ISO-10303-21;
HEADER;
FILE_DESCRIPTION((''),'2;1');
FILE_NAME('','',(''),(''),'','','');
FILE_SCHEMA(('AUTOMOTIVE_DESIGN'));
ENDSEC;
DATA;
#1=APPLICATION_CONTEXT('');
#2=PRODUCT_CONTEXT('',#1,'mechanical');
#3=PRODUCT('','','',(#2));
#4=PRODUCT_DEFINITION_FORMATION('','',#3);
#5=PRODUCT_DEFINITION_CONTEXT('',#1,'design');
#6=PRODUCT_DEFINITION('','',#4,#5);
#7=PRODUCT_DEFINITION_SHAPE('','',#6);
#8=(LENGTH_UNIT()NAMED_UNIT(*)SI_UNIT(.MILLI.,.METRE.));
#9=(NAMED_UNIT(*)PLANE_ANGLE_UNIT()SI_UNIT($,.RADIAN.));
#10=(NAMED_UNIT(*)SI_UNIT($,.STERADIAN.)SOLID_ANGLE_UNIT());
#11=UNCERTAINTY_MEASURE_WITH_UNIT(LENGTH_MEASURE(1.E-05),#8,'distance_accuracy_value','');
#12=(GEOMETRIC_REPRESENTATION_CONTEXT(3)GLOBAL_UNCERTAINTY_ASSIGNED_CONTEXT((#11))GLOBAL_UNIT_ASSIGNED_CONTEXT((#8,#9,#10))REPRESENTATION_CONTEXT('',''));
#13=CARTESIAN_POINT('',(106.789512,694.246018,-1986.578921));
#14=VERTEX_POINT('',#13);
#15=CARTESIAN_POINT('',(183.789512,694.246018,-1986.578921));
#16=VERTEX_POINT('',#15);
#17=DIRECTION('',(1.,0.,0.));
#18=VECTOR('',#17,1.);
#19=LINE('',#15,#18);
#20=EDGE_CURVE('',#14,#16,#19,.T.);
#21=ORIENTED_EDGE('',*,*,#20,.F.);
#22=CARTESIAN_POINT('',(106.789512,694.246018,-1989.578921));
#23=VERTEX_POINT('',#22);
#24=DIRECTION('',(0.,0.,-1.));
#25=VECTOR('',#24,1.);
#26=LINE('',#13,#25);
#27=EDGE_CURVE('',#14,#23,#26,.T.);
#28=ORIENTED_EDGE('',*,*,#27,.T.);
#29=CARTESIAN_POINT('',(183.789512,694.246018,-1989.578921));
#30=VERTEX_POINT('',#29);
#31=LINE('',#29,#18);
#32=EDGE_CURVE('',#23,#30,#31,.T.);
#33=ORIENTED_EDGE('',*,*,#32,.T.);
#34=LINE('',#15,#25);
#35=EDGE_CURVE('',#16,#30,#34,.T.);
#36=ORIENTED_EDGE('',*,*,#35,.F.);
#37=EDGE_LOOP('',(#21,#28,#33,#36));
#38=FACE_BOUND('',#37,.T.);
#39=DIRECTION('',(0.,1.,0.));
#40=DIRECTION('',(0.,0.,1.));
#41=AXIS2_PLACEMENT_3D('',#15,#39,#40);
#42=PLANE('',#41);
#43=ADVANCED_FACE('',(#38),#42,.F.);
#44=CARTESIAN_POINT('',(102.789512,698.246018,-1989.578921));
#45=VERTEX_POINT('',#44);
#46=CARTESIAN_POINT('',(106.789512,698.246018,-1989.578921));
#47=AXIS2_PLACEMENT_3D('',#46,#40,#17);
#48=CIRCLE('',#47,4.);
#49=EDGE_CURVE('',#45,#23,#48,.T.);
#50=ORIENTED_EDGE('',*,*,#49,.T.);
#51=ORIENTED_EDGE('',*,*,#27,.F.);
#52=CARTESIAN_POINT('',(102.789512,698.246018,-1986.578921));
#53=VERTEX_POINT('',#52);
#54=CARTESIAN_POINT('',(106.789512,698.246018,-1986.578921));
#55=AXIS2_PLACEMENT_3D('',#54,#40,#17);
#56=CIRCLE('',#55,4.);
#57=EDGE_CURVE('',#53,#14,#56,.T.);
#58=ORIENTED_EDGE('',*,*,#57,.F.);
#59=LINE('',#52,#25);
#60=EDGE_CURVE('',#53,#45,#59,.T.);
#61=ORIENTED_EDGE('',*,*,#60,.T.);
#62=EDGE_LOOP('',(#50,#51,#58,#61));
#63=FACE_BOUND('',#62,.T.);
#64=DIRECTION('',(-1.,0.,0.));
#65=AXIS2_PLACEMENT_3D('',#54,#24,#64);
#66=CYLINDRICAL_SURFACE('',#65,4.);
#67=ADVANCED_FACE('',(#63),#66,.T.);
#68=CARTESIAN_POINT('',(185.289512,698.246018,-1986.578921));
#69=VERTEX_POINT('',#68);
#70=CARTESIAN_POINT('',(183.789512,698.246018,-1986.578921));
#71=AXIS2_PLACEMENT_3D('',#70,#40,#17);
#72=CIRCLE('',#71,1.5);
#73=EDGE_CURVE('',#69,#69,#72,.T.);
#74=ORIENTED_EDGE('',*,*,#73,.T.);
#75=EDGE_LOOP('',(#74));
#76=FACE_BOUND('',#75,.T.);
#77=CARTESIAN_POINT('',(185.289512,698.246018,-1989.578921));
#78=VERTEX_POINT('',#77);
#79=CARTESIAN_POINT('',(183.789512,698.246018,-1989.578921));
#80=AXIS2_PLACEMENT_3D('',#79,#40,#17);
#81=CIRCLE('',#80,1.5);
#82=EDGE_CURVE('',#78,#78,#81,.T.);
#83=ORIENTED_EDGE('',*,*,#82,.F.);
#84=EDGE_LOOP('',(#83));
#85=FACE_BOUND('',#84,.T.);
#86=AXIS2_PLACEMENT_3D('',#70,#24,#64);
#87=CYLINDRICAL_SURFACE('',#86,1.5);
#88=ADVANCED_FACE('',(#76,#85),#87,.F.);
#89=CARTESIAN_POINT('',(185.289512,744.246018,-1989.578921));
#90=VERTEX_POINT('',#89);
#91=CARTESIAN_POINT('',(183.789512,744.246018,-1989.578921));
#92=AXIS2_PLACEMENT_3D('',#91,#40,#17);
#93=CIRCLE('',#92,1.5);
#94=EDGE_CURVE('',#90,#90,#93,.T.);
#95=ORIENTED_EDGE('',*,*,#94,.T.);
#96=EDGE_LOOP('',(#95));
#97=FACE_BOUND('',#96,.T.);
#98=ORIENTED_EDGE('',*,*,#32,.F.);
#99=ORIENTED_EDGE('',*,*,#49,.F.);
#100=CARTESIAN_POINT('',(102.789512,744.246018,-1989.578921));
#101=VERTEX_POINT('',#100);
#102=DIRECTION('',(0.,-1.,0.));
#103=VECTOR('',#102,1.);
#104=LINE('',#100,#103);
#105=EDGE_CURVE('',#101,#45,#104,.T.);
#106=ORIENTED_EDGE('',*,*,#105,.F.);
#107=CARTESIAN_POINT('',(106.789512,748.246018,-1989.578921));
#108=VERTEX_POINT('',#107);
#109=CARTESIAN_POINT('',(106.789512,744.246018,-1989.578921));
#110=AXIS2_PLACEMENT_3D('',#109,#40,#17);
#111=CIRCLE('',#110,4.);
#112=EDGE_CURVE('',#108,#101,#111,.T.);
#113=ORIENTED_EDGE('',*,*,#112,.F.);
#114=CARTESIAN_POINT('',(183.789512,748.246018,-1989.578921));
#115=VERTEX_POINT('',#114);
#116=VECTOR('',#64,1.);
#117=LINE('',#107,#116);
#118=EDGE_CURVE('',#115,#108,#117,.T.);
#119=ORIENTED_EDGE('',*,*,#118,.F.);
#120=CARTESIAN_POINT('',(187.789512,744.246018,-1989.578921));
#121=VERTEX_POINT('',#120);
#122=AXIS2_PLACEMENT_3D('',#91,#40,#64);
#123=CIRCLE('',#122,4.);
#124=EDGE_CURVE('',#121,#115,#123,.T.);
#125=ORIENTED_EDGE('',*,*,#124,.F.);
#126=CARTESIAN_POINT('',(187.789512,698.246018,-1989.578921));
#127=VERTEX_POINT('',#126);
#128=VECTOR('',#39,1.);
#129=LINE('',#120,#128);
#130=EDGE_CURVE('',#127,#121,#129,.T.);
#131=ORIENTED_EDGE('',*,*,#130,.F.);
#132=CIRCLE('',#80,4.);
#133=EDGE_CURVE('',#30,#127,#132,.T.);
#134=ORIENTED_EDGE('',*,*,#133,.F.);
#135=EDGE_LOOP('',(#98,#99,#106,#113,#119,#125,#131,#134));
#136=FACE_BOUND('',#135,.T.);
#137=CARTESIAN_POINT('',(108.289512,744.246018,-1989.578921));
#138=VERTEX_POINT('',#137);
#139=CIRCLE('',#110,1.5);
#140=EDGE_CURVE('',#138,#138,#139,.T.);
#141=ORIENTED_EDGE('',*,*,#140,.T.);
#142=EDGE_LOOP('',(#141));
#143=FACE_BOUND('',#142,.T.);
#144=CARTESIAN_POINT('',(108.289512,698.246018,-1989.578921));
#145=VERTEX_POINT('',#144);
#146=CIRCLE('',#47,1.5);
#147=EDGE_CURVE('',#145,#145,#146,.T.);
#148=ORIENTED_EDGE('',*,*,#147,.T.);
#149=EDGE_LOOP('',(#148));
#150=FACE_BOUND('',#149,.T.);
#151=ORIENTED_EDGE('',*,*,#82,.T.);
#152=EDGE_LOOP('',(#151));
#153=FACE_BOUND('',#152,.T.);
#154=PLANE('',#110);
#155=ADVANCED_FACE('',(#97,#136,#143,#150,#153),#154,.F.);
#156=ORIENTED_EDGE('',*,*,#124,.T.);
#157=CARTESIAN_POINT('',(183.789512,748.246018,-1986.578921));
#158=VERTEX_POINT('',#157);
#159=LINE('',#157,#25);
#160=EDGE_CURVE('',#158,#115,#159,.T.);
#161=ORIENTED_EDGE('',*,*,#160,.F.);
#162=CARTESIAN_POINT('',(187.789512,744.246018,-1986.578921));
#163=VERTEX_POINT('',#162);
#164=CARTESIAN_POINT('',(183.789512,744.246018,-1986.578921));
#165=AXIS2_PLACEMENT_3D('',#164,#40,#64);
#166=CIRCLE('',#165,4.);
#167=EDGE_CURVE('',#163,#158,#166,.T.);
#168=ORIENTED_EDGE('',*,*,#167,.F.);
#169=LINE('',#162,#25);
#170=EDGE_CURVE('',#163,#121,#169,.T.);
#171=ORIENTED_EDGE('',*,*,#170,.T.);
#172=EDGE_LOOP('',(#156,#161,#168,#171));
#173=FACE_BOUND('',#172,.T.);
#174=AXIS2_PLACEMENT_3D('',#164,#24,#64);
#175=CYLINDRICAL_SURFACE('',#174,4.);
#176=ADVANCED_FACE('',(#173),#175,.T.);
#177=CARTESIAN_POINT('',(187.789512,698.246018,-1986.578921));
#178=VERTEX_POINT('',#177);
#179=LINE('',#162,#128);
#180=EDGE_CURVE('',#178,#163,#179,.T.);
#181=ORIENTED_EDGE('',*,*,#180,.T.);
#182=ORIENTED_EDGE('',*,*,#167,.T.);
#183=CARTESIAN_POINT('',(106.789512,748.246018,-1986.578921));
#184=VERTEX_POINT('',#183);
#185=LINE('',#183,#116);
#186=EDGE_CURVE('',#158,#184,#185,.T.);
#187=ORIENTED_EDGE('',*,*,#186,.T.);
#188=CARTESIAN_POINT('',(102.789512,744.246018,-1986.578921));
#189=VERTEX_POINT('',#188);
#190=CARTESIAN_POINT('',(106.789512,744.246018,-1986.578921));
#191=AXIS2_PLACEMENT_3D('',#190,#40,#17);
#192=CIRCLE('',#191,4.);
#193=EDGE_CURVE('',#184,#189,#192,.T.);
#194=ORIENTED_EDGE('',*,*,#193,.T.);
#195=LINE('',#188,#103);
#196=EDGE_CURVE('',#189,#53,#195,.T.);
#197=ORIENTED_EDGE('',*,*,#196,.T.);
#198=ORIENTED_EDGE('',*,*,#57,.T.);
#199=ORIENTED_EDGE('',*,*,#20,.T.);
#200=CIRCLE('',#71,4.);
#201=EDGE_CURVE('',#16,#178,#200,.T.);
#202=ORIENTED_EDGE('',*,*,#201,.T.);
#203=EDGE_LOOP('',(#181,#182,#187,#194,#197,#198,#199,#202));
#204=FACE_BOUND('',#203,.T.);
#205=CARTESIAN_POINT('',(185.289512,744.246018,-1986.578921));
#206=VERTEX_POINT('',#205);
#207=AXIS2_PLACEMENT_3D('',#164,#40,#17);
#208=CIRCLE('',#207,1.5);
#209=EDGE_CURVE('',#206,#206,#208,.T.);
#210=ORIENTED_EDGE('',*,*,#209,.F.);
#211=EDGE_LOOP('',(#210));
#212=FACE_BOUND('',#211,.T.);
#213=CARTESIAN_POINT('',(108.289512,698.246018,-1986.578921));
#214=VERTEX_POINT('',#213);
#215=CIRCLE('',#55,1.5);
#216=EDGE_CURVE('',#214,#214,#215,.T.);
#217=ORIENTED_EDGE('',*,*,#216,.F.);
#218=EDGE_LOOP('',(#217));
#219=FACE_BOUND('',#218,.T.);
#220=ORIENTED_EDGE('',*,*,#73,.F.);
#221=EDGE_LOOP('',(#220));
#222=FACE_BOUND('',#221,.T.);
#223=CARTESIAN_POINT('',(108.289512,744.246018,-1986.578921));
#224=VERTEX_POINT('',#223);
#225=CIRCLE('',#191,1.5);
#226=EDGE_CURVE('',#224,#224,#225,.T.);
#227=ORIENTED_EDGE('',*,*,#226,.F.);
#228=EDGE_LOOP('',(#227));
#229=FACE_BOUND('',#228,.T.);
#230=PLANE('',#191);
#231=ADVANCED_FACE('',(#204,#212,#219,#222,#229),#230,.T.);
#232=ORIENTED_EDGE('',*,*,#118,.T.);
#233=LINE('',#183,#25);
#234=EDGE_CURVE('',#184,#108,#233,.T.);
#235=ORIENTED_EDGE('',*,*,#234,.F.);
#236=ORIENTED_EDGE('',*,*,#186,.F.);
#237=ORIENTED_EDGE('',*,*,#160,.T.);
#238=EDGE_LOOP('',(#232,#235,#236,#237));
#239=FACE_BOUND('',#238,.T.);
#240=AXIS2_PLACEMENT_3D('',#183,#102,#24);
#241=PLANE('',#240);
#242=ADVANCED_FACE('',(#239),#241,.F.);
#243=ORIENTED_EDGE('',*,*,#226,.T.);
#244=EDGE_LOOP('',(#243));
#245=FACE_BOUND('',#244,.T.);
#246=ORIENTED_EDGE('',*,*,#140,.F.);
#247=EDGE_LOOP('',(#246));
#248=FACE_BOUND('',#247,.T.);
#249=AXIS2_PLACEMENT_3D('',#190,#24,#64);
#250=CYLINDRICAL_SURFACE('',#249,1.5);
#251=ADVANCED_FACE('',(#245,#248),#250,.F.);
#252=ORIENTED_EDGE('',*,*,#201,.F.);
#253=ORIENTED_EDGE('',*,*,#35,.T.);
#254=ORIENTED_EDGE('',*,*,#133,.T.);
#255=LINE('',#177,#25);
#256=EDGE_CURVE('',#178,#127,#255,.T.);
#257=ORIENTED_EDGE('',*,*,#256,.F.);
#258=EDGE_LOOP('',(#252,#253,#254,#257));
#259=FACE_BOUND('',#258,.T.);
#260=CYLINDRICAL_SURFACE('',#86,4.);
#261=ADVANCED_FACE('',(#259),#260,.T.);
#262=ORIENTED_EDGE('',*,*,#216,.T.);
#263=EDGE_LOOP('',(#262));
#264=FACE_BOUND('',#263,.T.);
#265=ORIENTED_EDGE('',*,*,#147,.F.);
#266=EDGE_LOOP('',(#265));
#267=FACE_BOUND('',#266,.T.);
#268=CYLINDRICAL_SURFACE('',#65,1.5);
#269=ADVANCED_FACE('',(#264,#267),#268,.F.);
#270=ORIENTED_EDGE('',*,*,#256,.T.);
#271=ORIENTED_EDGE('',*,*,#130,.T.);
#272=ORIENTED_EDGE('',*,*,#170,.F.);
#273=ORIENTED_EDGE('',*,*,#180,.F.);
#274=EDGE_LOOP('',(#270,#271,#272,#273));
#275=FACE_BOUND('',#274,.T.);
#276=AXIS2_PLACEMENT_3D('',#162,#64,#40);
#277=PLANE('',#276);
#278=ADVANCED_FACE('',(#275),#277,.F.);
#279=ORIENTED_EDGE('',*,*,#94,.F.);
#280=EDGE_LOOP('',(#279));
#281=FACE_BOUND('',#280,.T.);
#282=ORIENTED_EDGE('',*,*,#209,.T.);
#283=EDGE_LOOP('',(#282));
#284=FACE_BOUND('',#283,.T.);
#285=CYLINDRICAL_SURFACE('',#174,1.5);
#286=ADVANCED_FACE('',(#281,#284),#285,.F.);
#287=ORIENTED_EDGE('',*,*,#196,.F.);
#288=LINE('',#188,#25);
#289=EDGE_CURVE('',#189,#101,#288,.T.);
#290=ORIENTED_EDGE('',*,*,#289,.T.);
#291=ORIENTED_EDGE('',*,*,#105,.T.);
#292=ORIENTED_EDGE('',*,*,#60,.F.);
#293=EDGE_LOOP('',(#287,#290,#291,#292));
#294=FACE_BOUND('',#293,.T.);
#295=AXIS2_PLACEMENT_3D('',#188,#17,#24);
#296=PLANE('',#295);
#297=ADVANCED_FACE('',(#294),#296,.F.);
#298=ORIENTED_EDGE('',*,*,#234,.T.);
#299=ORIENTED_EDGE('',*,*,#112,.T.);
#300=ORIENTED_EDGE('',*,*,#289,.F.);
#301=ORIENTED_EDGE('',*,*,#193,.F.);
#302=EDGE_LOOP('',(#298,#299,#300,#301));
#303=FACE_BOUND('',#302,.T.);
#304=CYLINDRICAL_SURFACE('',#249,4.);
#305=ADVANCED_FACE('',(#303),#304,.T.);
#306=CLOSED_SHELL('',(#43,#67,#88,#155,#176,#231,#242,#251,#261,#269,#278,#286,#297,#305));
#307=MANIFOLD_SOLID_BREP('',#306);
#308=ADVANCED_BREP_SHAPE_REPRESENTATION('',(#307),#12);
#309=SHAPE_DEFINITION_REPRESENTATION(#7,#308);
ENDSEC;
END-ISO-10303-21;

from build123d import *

# Parameters (mm, degrees)
ESQUISSE1_R        = 1.5
BOSS_EXTRU_1_DEPTH = 3


with BuildPart() as part:
    # Esquisse1 → Boss.-Extru.1 (new body)
    with BuildSketch(Plane(origin=(141.920138105, 723.12263115, -1989.578921243), x_dir=(1, 0, 0), z_dir=(0, 0, 1))):
        with BuildLine():
            Line((-35.130626261, 25.123386778), (41.869373739, 25.123386778))
            ThreePointArc((41.869373739, 25.123386778), (44.697800864, 23.951813903), (45.869373739, 21.123386778))
            Line((45.869373739, 21.123386778), (45.869373739, -24.876613222))
            ThreePointArc((45.869373739, -24.876613222), (44.697800864, -27.705040347), (41.869373739, -28.876613222))
            Line((41.869373739, -28.876613222), (-35.130626261, -28.876613222))
            ThreePointArc((-35.130626261, -28.876613222), (-37.959053386, -27.705040347), (-39.130626261, -24.876613222))
            Line((-39.130626261, -24.876613222), (-39.130626261, 21.123386778))
            ThreePointArc((-39.130626261, 21.123386778), (-37.959053386, 23.951813903), (-35.130626261, 25.123386778))
        make_face()
        with Locations((-35.130626261, -24.876613222)):
            Circle(ESQUISSE1_R, mode=Mode.SUBTRACT)
        with Locations((-35.130626261, 21.123386778)):
            Circle(ESQUISSE1_R, mode=Mode.SUBTRACT)
        with Locations((41.869373739, 21.123386778)):
            Circle(ESQUISSE1_R, mode=Mode.SUBTRACT)
        with Locations((41.869373739, -24.876613222)):
            Circle(ESQUISSE1_R, mode=Mode.SUBTRACT)
    extrude(amount=BOSS_EXTRU_1_DEPTH)


solid = part.part
